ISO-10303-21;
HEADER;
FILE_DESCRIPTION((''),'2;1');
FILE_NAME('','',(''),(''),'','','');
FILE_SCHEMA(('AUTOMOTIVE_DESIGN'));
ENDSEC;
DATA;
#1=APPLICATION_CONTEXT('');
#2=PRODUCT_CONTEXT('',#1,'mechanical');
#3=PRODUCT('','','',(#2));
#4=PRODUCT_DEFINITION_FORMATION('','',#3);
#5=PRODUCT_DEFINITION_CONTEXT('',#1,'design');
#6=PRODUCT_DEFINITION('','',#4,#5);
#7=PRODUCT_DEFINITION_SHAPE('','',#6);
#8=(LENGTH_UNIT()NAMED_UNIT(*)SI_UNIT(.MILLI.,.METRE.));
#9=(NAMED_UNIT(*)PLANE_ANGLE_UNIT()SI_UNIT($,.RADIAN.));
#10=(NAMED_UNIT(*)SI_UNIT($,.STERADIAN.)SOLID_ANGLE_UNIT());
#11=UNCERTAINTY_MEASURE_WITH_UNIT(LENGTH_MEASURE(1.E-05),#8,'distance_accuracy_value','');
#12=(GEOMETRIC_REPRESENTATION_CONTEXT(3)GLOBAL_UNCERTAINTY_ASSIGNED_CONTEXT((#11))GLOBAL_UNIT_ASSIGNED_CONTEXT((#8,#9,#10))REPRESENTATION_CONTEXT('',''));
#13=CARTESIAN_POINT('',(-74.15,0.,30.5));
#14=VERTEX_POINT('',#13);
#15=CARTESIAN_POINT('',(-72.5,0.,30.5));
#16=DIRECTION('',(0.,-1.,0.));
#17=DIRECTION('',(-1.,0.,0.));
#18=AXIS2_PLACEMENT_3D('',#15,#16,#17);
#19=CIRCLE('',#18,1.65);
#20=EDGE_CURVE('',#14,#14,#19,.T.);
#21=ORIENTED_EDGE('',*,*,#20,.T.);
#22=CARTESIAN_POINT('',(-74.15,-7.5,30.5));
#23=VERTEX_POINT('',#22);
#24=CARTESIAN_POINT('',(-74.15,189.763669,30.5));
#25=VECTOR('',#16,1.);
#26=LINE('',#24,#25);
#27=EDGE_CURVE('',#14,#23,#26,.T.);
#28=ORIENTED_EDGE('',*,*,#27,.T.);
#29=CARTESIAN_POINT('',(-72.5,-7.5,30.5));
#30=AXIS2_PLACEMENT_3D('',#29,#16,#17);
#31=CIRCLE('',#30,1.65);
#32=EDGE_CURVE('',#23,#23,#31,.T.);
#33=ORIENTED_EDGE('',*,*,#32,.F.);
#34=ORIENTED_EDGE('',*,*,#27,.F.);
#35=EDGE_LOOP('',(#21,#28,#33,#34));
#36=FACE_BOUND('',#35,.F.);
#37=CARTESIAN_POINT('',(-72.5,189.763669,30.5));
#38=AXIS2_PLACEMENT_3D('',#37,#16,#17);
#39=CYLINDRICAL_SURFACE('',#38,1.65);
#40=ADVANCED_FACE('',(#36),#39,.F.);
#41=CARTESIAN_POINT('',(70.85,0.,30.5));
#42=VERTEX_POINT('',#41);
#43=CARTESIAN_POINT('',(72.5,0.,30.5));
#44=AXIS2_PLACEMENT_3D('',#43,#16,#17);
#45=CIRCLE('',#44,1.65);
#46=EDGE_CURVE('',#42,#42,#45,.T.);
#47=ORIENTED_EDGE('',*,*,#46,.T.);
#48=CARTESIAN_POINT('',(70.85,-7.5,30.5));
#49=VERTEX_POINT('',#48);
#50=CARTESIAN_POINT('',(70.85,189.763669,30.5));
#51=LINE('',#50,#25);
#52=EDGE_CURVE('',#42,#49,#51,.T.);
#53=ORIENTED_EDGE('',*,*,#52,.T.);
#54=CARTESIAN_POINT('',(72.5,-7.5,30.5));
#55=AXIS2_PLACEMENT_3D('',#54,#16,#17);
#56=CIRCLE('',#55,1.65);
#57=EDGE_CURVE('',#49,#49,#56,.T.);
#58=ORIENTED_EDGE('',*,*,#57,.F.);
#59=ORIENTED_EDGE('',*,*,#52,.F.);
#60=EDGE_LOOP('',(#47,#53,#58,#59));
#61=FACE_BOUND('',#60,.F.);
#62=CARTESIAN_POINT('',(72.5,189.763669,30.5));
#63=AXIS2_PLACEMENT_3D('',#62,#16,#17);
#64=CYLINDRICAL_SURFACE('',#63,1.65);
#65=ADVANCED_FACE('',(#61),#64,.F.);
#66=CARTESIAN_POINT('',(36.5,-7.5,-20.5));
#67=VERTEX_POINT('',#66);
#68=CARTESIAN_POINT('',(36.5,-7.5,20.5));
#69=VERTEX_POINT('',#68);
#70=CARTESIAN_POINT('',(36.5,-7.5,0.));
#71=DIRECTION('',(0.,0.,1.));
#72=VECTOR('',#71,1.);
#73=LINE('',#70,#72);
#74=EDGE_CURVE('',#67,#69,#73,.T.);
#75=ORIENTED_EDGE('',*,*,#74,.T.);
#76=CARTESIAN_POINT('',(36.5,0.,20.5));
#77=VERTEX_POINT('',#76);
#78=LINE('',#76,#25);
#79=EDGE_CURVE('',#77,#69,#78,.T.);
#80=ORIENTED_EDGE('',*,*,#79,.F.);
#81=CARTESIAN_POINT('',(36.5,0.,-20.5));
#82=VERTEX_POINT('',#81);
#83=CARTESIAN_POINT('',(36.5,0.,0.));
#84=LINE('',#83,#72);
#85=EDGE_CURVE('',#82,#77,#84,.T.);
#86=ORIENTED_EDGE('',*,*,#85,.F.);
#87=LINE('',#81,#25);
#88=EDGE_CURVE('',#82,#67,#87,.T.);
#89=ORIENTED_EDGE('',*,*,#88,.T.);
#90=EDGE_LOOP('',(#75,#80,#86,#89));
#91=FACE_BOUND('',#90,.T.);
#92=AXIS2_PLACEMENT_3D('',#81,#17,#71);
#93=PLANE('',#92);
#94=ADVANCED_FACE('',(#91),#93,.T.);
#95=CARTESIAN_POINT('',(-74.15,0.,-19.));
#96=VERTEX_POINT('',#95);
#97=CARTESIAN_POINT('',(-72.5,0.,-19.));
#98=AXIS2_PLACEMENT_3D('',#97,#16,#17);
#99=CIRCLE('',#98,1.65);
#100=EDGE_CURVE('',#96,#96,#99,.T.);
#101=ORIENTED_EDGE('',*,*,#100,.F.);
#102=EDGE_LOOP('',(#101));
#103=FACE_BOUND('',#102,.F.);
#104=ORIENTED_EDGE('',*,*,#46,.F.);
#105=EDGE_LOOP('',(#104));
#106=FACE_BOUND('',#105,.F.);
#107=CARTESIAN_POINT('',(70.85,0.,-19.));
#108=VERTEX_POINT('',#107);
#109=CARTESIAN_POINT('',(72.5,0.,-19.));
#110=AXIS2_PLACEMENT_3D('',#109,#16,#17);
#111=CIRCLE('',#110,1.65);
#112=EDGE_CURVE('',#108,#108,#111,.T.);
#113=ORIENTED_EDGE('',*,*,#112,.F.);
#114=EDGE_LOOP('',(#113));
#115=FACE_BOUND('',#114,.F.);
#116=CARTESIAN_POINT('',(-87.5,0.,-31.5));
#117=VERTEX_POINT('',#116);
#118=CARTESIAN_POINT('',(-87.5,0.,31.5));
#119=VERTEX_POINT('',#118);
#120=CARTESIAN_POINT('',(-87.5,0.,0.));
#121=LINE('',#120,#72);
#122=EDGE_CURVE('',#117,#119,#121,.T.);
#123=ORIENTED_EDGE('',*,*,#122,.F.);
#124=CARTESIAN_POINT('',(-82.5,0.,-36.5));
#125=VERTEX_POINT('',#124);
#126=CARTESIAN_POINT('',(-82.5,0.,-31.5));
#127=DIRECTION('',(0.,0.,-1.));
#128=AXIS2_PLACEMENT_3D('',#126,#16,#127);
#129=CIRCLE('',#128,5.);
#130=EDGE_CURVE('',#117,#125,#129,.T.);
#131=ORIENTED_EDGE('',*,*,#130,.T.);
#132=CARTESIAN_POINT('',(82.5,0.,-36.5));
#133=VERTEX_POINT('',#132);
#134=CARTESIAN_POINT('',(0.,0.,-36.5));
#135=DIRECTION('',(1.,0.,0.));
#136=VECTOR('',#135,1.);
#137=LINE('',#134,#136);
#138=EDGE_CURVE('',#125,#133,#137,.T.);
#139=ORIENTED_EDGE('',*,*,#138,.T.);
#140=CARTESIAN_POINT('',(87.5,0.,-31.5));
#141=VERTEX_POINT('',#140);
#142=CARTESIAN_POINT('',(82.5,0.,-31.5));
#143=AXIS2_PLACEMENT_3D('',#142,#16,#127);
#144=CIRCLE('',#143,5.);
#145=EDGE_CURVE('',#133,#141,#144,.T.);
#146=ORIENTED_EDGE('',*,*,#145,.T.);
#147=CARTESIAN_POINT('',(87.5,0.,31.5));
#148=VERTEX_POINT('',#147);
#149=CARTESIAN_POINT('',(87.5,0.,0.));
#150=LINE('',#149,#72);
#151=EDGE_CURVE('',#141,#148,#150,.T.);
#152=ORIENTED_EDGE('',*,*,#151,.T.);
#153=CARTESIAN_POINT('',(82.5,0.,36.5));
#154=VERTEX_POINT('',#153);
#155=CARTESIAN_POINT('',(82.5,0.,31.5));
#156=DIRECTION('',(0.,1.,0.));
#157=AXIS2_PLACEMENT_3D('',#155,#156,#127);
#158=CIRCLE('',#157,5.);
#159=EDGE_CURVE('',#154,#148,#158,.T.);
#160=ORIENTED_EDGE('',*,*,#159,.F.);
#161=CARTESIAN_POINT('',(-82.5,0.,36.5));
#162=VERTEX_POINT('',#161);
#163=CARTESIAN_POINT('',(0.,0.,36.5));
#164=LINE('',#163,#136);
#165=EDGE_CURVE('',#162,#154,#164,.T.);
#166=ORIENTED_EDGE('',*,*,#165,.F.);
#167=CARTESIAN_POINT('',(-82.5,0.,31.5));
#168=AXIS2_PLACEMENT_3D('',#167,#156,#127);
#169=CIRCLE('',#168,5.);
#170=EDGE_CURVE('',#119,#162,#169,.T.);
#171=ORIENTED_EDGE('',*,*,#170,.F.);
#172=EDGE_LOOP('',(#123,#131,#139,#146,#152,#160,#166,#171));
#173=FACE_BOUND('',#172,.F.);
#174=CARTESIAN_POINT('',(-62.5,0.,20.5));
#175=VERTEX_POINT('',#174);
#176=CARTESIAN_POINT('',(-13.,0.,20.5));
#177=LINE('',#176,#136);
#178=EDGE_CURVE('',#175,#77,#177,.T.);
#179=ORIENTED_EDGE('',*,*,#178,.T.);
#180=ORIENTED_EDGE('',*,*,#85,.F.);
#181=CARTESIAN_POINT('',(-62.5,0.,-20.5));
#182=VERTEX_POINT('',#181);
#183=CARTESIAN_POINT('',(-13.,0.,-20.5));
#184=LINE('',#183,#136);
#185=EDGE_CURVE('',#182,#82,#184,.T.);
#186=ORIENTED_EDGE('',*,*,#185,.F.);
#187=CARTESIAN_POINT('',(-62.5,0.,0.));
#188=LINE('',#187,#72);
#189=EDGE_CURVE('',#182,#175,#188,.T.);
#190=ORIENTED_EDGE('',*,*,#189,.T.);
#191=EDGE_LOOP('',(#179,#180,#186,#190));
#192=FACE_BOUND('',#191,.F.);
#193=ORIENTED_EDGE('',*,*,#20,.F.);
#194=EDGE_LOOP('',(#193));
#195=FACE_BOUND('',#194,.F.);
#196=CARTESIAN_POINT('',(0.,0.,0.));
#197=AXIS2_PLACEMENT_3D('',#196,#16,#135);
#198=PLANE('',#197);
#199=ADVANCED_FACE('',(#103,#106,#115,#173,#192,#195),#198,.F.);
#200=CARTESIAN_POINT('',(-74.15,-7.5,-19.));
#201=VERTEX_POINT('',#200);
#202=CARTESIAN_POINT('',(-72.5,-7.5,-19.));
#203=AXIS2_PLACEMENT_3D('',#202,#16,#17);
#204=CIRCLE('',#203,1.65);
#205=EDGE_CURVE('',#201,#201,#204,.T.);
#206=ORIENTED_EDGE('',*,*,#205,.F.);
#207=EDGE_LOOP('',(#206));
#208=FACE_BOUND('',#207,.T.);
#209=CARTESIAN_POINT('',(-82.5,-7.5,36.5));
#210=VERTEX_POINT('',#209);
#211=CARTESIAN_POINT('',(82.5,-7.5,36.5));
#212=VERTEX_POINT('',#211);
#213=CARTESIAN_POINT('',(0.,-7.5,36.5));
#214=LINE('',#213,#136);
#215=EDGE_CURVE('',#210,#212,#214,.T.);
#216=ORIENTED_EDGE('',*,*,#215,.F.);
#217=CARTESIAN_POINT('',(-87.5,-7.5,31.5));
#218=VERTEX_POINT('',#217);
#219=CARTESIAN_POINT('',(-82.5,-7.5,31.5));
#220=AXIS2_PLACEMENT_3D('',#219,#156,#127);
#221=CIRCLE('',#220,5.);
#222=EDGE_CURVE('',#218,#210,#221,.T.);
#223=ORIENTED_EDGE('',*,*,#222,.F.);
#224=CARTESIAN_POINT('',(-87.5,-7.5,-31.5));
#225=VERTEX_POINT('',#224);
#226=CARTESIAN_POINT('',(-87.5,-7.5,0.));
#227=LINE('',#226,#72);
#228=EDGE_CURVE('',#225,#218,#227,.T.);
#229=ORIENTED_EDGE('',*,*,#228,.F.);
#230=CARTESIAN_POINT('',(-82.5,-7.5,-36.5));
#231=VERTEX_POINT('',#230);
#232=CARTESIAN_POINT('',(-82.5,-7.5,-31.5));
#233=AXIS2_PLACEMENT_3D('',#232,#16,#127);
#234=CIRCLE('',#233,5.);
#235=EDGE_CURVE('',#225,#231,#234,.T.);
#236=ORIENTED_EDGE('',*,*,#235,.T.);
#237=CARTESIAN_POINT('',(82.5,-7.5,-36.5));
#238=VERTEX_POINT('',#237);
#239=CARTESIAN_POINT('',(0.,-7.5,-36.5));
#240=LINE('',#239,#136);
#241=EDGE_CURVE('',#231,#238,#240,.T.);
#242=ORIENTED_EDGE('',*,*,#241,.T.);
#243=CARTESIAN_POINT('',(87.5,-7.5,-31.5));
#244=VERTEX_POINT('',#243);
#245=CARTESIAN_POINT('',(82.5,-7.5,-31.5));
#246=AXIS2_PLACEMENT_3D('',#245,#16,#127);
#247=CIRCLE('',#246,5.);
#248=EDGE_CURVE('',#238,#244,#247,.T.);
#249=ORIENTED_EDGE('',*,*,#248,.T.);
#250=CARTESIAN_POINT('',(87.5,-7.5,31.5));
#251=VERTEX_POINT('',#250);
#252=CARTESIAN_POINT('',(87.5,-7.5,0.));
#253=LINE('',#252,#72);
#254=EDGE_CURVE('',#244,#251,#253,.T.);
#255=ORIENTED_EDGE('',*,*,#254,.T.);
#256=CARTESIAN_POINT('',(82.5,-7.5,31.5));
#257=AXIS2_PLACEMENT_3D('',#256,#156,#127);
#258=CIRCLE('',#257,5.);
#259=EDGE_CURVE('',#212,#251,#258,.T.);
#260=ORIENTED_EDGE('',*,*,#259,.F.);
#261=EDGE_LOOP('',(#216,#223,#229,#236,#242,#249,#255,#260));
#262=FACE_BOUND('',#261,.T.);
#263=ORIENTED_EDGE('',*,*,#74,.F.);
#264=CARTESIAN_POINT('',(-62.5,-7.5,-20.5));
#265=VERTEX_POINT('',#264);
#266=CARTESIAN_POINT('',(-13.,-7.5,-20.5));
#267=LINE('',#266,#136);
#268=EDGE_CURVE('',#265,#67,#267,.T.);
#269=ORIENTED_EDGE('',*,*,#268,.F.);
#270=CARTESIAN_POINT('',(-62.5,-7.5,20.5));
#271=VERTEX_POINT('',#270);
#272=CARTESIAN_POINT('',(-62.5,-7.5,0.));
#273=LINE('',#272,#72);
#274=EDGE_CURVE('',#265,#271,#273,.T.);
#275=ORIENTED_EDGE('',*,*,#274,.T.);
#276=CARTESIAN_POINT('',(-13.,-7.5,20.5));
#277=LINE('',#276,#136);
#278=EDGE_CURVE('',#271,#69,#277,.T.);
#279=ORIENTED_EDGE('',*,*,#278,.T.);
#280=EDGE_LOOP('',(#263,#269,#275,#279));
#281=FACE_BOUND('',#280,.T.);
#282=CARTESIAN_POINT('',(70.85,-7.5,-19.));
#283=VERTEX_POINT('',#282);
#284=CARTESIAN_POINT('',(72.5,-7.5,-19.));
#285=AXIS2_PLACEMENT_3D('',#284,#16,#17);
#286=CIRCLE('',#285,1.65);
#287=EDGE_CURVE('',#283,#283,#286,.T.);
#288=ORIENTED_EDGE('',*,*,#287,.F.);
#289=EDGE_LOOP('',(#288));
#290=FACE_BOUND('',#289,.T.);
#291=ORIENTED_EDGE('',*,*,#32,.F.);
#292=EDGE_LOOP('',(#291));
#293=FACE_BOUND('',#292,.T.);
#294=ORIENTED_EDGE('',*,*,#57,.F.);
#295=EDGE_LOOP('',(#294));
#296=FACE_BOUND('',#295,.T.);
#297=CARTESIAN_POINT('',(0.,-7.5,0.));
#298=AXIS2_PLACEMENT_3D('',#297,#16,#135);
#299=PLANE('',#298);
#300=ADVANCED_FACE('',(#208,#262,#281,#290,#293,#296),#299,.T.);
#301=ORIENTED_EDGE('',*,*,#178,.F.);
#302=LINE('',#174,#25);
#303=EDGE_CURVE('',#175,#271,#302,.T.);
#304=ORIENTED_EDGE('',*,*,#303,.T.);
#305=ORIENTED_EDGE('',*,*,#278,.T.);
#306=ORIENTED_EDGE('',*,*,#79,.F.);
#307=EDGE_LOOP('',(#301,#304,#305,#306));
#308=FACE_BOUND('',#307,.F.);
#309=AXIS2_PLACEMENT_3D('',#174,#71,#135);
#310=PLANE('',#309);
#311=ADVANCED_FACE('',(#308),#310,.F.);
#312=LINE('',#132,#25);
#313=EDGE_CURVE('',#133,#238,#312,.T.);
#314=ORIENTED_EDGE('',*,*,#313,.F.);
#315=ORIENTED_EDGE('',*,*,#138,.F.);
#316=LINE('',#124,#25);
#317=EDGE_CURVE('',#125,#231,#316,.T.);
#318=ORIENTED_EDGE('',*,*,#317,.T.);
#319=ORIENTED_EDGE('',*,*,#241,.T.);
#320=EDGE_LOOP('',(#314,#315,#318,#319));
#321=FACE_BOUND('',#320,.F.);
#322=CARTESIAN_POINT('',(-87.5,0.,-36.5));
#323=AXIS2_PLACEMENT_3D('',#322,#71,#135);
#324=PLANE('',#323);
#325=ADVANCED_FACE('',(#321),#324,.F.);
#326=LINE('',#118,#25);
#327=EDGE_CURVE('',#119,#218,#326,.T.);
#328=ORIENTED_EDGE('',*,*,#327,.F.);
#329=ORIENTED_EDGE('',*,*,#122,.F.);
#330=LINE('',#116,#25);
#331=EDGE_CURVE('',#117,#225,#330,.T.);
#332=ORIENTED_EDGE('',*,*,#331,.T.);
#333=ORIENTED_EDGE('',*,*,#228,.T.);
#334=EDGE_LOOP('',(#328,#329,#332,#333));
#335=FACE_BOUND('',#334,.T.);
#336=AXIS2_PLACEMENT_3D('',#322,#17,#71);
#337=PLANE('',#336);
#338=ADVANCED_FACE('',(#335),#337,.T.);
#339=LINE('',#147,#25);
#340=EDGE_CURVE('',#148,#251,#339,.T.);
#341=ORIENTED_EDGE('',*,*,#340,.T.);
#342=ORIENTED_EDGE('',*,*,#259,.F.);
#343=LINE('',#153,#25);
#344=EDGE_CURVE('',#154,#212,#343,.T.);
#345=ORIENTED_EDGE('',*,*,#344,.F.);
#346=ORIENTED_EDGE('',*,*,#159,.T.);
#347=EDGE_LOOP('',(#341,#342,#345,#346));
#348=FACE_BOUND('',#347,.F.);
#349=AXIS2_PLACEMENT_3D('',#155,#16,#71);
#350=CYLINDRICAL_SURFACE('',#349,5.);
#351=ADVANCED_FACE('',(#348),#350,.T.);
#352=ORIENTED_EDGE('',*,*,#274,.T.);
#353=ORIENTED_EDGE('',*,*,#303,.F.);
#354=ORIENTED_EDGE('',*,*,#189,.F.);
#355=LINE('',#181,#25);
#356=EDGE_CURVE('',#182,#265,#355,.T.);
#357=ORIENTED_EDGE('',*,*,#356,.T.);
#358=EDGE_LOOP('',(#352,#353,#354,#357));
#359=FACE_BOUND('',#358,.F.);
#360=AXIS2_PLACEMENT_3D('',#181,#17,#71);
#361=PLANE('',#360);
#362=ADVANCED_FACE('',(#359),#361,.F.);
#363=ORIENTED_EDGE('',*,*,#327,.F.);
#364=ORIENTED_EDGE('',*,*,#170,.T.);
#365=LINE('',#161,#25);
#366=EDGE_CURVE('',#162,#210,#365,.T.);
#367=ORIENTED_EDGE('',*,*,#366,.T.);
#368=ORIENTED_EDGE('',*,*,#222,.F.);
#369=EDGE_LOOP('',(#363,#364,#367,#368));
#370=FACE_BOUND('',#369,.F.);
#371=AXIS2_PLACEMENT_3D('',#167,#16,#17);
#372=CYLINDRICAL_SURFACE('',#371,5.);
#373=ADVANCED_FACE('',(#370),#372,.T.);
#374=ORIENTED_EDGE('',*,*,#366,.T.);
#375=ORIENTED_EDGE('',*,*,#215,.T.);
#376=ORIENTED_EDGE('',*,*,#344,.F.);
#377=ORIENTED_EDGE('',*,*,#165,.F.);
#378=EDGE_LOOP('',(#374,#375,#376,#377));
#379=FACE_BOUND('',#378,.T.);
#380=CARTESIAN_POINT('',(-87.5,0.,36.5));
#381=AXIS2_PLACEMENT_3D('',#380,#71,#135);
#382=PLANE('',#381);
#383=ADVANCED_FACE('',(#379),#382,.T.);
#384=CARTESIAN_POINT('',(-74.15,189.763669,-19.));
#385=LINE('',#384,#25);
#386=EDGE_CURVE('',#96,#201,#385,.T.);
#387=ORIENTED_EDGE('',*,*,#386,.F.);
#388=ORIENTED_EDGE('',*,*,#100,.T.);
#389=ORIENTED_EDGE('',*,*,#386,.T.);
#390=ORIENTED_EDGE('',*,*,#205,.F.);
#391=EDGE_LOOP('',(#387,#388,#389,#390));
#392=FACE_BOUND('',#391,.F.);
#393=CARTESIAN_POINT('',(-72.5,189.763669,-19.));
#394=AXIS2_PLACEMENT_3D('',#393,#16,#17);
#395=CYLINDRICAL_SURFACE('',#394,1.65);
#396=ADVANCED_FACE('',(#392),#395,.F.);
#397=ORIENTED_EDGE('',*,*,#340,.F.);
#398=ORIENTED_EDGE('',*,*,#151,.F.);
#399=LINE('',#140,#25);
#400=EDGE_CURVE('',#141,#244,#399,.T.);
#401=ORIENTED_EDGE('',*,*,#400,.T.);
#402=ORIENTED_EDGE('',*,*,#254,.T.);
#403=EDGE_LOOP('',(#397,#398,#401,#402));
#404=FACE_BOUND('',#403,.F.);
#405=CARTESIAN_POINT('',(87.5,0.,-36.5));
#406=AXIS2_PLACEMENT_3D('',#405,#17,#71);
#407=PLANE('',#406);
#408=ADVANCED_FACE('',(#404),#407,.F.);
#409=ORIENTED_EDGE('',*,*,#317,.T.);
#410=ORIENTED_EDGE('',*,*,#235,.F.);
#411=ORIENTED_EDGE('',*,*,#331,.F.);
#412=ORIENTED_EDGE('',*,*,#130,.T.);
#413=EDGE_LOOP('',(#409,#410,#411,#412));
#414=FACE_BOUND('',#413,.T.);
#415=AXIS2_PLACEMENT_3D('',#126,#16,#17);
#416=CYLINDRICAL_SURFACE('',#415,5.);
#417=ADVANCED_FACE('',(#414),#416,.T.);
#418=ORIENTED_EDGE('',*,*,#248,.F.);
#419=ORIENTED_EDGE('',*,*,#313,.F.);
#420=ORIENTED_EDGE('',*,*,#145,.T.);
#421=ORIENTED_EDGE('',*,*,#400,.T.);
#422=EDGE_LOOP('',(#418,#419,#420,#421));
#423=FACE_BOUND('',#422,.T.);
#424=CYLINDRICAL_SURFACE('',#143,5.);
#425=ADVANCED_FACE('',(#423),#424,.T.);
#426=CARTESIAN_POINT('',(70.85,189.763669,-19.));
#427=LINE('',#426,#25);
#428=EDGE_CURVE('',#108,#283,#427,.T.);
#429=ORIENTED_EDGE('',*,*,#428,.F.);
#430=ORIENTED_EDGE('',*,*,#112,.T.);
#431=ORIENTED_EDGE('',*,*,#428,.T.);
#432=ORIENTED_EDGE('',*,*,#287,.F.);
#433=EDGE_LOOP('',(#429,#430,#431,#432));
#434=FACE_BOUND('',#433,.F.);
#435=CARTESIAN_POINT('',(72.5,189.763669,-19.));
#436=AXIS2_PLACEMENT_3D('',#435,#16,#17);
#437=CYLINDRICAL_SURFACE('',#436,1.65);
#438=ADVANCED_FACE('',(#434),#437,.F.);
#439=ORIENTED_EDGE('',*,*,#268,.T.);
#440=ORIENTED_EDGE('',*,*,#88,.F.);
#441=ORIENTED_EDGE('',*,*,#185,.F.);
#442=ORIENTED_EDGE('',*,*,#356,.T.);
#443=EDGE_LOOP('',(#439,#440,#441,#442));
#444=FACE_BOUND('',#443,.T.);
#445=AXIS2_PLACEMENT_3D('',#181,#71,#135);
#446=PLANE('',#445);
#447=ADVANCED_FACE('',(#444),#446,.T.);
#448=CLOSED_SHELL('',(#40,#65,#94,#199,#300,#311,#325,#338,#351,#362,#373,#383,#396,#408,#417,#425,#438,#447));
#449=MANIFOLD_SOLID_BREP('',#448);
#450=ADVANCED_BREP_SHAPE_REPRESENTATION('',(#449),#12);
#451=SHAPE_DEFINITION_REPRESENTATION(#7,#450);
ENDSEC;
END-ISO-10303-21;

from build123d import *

# Parameters (mm, degrees)
F0_W     = 175
F0_H     = 73
F0_W_2   = 99
F0_H_2   = 41
F1_DEPTH = 7.5
F2_R     = 5
F3_D     = 3.3


with BuildPart() as f1:
    # F0 (on Front) → F1 (new body)
    with BuildSketch(Plane.XZ):
        Rectangle(F0_W, F0_H)
        with Locations((-13, 0)):
            Rectangle(F0_W_2, F0_H_2, mode=Mode.SUBTRACT)
    extrude(amount=F1_DEPTH)

    # F2
    f2_edges = [f1.edges().sort_by_distance(p)[0] for p in [
        (-87.5, -3.75, 36.5),
        (87.5, -3.75, 36.5),
        (87.5, -3.75, -36.5),
        (-87.5, -3.75, -36.5),
    ]]
    fillet(f2_edges, radius=F2_R)

    # F3 (through all)
    with Locations(Plane(origin=(0, 0, 0), x_dir=(1, 0, 0), z_dir=(0, 1, 0))):
        with Locations((-72.5, -30.5), (-72.5, 19), (72.5, 19), (72.5, -30.5)):
            Hole(F3_D / 2)


solid = f1.part
